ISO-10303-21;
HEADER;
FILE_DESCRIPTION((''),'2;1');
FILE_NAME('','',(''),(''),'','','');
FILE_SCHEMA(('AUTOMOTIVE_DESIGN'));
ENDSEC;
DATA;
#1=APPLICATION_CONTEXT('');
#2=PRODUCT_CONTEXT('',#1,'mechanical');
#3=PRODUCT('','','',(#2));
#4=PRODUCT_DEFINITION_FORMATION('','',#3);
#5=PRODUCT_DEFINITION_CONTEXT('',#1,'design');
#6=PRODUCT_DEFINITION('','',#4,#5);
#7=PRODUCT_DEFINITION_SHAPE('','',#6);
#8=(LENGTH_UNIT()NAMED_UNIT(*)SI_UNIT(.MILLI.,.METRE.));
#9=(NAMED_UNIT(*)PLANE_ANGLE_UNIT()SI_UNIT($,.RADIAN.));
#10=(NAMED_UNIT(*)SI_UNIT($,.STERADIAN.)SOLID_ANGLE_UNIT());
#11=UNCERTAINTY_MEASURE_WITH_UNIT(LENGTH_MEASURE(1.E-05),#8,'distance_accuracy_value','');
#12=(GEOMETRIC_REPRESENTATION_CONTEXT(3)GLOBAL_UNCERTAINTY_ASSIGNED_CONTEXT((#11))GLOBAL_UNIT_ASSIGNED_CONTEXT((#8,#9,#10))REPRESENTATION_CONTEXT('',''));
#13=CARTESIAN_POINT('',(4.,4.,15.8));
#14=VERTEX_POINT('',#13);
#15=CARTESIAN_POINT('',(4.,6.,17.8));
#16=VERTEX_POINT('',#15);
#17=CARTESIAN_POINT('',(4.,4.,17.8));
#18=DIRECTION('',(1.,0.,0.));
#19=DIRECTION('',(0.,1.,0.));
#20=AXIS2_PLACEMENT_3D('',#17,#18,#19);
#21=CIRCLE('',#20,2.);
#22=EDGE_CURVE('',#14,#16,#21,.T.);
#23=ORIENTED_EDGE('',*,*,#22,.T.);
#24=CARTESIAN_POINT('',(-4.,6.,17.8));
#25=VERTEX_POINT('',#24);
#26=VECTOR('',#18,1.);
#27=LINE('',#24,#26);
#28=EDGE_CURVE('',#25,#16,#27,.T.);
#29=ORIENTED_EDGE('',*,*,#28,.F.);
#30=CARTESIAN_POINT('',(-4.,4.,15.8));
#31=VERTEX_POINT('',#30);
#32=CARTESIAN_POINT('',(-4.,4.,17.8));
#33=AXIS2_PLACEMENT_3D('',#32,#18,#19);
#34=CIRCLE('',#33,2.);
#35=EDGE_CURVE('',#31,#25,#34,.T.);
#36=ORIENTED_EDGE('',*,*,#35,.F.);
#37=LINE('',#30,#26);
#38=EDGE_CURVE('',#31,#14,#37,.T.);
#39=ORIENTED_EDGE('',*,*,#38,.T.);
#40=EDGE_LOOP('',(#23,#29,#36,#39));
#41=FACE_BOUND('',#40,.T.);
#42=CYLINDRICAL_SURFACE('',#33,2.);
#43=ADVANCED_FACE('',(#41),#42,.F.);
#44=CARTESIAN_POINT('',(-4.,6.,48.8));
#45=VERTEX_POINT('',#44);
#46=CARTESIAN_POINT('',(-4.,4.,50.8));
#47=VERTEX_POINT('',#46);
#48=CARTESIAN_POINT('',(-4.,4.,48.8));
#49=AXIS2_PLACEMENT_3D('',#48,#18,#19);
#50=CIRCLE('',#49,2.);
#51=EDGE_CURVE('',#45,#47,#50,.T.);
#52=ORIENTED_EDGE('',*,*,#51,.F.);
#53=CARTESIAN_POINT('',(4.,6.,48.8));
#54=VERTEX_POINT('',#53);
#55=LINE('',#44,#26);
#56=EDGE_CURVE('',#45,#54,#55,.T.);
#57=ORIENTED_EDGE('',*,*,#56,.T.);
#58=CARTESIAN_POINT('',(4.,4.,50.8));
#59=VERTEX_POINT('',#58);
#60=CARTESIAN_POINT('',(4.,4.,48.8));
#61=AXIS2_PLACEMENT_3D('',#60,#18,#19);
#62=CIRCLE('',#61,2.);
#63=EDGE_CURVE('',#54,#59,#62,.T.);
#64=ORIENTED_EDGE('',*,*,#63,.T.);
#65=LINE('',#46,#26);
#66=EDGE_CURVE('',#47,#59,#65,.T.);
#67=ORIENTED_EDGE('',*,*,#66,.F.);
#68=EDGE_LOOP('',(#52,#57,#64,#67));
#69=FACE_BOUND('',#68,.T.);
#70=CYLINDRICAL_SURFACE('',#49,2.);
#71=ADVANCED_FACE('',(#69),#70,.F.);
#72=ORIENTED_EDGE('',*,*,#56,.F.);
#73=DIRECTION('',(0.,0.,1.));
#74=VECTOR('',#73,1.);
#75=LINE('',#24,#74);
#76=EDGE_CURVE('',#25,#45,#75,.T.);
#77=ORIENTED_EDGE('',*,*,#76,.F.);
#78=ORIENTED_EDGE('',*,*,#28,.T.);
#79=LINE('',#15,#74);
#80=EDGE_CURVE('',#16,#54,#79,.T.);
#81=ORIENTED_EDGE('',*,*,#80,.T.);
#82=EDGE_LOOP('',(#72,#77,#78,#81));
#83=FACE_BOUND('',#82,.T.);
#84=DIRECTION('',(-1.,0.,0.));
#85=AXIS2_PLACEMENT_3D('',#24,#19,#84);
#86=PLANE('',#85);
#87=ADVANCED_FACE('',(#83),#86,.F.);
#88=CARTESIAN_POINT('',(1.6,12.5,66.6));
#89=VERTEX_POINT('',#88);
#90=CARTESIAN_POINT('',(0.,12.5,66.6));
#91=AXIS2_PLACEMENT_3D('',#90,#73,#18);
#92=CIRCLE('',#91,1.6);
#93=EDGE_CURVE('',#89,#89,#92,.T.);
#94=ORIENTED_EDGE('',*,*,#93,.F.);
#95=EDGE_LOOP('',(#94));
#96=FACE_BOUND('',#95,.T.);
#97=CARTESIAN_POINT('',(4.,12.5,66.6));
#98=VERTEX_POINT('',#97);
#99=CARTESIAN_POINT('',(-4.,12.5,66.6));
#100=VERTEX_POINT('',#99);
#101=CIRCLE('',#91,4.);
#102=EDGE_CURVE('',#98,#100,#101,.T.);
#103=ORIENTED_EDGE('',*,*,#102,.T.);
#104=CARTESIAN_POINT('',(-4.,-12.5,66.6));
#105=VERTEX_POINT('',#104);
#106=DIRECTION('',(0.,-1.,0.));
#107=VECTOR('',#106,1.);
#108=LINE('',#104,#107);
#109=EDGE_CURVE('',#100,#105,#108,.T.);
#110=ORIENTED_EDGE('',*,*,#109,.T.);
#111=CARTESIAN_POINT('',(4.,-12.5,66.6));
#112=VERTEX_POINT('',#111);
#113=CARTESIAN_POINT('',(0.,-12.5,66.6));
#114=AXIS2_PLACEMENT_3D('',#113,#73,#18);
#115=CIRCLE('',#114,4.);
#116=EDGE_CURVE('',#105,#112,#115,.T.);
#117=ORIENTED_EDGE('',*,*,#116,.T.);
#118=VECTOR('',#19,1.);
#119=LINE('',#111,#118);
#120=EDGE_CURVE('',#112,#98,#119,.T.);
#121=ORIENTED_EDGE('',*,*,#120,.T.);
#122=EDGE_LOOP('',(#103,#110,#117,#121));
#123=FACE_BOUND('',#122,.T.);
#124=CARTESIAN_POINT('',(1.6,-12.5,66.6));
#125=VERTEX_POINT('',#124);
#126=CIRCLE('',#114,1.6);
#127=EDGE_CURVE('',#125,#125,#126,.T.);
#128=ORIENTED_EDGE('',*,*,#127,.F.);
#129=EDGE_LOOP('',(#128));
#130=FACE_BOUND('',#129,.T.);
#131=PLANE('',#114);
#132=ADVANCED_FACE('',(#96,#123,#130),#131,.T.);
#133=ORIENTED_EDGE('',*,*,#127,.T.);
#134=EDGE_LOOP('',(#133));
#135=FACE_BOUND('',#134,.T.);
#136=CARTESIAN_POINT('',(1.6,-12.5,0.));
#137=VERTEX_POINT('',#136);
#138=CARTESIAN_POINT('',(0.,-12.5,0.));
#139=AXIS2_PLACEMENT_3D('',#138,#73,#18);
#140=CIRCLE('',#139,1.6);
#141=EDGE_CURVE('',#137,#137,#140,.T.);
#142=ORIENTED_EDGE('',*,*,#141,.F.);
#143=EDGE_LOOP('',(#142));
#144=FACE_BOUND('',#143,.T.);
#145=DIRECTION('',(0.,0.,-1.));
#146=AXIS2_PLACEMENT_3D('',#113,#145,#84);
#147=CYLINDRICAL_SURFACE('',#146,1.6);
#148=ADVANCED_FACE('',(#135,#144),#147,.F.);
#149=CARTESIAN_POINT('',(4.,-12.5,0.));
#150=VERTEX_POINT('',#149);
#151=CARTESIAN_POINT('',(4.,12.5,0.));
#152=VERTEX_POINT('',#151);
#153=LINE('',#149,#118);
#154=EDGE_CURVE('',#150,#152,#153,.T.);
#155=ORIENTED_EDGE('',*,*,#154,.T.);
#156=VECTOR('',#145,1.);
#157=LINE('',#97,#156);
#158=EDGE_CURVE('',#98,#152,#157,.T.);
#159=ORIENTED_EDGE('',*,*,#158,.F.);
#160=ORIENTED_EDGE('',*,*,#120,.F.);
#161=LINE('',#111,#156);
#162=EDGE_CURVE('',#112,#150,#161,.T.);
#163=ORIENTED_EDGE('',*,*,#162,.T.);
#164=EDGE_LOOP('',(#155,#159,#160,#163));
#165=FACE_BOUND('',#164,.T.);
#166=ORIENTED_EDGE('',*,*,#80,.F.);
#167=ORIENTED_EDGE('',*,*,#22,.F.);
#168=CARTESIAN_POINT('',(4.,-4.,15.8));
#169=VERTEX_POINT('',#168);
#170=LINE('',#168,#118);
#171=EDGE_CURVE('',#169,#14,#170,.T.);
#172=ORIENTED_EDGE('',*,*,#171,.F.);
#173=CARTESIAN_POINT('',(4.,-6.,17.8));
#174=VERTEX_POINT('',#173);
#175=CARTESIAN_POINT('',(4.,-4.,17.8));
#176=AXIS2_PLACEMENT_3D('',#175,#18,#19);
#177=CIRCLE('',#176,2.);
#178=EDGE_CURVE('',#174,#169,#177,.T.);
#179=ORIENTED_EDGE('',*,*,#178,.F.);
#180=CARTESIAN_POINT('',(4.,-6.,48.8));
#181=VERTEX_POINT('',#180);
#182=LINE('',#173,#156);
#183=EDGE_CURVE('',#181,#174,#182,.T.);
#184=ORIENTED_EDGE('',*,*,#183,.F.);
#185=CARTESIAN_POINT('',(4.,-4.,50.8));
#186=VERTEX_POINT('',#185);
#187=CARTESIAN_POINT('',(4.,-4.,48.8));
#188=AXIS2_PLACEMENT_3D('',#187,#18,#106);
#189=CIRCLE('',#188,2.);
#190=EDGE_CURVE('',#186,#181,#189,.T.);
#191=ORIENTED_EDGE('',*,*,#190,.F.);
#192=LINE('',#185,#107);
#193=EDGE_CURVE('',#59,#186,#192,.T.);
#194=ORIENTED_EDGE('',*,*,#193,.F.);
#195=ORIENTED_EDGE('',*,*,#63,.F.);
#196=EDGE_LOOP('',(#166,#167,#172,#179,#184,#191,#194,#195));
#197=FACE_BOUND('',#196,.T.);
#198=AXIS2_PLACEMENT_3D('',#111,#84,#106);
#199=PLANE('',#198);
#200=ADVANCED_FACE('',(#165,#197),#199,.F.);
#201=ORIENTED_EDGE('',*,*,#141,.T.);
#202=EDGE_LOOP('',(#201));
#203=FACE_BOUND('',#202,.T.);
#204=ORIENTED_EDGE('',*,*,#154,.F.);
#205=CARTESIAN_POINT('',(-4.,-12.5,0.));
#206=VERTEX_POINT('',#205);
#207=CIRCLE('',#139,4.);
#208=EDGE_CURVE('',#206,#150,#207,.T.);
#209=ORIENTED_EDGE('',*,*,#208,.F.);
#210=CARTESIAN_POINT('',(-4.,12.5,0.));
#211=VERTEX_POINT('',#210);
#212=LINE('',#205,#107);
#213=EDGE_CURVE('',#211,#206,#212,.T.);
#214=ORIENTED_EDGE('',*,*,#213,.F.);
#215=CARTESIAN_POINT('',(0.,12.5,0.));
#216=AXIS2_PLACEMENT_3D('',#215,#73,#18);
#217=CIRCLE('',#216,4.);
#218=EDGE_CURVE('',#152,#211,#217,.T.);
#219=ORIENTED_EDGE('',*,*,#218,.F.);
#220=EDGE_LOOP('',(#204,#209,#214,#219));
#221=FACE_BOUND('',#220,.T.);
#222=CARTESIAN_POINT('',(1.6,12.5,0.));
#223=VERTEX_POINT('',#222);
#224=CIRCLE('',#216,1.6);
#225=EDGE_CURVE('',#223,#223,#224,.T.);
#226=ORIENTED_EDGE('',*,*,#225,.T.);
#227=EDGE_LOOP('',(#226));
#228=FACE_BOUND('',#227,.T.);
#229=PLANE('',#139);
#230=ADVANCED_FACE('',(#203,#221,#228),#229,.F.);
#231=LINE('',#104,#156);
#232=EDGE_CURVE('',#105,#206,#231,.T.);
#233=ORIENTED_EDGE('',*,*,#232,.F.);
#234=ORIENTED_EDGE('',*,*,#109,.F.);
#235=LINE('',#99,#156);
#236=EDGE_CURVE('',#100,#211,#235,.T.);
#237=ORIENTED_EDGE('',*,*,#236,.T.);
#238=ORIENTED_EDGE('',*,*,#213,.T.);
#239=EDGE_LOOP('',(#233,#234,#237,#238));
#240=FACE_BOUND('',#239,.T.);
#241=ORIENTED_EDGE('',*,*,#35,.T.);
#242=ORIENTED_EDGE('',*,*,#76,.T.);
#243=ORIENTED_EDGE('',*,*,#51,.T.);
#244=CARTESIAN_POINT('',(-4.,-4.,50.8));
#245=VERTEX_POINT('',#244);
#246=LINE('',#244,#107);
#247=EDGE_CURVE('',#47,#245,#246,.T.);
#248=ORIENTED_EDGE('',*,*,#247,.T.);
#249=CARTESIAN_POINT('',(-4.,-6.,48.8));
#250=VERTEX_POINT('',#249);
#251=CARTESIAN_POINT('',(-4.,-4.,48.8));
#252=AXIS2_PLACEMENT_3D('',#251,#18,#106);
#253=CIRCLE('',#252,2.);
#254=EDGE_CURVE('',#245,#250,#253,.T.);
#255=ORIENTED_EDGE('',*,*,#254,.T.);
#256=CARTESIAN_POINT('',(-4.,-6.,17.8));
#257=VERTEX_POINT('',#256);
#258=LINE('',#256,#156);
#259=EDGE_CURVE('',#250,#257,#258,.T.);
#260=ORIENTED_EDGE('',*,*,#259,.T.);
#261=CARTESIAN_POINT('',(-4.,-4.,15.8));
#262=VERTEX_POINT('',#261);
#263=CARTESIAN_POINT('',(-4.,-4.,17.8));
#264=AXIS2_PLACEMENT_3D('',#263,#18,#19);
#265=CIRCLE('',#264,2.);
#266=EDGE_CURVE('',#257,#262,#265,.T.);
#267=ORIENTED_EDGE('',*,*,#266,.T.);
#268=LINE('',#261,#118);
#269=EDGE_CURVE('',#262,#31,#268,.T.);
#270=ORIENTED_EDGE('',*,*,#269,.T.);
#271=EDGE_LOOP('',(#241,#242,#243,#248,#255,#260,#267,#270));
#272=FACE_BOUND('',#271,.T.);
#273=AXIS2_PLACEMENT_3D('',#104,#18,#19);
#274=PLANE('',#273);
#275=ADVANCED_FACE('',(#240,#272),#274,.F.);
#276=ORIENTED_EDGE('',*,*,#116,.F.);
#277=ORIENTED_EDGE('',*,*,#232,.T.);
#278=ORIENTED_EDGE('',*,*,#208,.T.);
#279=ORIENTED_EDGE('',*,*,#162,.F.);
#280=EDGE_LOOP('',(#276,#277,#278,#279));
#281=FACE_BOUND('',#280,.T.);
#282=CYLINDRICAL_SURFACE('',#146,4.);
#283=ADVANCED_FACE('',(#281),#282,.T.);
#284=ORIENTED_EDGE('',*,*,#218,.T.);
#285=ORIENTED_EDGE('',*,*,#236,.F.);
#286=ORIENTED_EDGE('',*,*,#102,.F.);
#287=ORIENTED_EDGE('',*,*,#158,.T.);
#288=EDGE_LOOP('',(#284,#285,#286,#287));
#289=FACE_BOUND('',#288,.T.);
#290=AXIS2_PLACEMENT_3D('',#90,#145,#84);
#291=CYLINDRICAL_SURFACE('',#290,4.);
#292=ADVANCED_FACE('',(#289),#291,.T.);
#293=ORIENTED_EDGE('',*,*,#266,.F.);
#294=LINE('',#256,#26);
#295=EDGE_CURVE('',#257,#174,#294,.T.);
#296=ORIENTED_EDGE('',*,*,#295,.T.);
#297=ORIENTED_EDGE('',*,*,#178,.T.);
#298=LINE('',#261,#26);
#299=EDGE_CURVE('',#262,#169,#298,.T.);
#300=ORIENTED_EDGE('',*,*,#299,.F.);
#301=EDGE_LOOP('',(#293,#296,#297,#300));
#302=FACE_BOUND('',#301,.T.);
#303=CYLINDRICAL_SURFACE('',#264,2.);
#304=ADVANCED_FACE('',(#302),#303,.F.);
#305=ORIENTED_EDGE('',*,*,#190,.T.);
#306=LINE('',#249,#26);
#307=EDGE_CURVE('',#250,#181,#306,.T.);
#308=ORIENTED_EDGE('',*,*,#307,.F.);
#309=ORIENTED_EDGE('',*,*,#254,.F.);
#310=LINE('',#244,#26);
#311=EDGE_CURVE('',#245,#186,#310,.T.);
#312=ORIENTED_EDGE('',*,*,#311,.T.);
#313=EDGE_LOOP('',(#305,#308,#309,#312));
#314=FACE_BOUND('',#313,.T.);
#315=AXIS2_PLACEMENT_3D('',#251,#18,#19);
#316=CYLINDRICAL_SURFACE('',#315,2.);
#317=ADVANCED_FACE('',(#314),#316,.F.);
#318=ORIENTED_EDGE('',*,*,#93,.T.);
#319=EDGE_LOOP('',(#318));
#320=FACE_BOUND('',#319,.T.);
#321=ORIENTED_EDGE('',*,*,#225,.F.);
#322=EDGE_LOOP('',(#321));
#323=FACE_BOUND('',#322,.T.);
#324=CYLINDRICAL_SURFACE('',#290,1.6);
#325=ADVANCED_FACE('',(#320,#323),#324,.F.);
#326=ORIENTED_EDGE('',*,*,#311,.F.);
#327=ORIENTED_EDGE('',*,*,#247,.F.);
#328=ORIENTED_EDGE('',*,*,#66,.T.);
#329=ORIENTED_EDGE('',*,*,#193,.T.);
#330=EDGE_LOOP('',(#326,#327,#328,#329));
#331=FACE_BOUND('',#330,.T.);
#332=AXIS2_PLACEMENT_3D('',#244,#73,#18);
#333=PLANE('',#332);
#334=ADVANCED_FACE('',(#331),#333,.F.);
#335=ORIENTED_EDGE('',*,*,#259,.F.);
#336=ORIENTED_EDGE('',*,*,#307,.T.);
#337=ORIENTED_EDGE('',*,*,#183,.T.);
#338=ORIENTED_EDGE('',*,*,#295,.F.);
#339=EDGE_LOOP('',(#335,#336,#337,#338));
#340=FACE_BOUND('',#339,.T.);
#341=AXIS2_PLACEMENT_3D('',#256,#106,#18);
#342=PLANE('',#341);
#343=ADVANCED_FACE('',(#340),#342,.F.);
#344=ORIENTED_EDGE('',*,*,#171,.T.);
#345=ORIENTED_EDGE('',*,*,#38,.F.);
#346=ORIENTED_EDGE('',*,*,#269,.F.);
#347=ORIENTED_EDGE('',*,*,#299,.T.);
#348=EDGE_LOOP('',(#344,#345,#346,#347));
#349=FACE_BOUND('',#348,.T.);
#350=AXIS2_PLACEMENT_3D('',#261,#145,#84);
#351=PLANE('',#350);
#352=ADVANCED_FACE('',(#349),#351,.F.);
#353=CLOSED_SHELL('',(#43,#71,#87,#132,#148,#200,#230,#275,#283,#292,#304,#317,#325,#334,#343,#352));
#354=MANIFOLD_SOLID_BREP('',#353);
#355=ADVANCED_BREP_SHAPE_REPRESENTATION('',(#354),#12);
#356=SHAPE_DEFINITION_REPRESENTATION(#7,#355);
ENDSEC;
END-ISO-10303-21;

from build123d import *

# Parameters (mm, degrees)
SKETCH_1_R          = 1.6
EXTRUDE_1_DEPTH     = 66.6
CUT_EXTRUDE_1_DEPTH = 70.078288919


with BuildPart() as part:
    # 草图1 → 凸台-拉伸1 (new body)
    with BuildSketch(Plane.XY):
        with BuildLine():
            Line((-4, -12.5), (-4, 12.5))
            ThreePointArc((-4, 12.5), (0, 16.5), (4, 12.5))
            Line((4, 12.5), (4, -12.5))
            ThreePointArc((4, -12.5), (0, -16.5), (-4, -12.5))
        make_face()
        with Locations((0, 12.5)):
            Circle(SKETCH_1_R, mode=Mode.SUBTRACT)
        with Locations((0, -12.5)):
            Circle(SKETCH_1_R, mode=Mode.SUBTRACT)
    extrude(amount=EXTRUDE_1_DEPTH)

    # 草图2 → 切除-拉伸1 (cut, through all)
    with BuildSketch(Plane(origin=(4, 0, 0), x_dir=(0, 0, -1), z_dir=(1, 0, 0))):
        with BuildLine():
            Line((-17.8, -6), (-48.8, -6))
            ThreePointArc((-48.8, -6), (-50.214213562, -5.414213562), (-50.8, -4))
            Line((-50.8, -4), (-50.8, 4))
            ThreePointArc((-50.8, 4), (-50.214213562, 5.414213562), (-48.8, 6))
            Line((-48.8, 6), (-17.8, 6))
            ThreePointArc((-17.8, 6), (-16.385786438, 5.414213562), (-15.8, 4))
            Line((-15.8, 4), (-15.8, -4))
            ThreePointArc((-15.8, -4), (-16.385786438, -5.414213562), (-17.8, -6))
        make_face()
    extrude(amount=-CUT_EXTRUDE_1_DEPTH, mode=Mode.SUBTRACT)


solid = part.part
